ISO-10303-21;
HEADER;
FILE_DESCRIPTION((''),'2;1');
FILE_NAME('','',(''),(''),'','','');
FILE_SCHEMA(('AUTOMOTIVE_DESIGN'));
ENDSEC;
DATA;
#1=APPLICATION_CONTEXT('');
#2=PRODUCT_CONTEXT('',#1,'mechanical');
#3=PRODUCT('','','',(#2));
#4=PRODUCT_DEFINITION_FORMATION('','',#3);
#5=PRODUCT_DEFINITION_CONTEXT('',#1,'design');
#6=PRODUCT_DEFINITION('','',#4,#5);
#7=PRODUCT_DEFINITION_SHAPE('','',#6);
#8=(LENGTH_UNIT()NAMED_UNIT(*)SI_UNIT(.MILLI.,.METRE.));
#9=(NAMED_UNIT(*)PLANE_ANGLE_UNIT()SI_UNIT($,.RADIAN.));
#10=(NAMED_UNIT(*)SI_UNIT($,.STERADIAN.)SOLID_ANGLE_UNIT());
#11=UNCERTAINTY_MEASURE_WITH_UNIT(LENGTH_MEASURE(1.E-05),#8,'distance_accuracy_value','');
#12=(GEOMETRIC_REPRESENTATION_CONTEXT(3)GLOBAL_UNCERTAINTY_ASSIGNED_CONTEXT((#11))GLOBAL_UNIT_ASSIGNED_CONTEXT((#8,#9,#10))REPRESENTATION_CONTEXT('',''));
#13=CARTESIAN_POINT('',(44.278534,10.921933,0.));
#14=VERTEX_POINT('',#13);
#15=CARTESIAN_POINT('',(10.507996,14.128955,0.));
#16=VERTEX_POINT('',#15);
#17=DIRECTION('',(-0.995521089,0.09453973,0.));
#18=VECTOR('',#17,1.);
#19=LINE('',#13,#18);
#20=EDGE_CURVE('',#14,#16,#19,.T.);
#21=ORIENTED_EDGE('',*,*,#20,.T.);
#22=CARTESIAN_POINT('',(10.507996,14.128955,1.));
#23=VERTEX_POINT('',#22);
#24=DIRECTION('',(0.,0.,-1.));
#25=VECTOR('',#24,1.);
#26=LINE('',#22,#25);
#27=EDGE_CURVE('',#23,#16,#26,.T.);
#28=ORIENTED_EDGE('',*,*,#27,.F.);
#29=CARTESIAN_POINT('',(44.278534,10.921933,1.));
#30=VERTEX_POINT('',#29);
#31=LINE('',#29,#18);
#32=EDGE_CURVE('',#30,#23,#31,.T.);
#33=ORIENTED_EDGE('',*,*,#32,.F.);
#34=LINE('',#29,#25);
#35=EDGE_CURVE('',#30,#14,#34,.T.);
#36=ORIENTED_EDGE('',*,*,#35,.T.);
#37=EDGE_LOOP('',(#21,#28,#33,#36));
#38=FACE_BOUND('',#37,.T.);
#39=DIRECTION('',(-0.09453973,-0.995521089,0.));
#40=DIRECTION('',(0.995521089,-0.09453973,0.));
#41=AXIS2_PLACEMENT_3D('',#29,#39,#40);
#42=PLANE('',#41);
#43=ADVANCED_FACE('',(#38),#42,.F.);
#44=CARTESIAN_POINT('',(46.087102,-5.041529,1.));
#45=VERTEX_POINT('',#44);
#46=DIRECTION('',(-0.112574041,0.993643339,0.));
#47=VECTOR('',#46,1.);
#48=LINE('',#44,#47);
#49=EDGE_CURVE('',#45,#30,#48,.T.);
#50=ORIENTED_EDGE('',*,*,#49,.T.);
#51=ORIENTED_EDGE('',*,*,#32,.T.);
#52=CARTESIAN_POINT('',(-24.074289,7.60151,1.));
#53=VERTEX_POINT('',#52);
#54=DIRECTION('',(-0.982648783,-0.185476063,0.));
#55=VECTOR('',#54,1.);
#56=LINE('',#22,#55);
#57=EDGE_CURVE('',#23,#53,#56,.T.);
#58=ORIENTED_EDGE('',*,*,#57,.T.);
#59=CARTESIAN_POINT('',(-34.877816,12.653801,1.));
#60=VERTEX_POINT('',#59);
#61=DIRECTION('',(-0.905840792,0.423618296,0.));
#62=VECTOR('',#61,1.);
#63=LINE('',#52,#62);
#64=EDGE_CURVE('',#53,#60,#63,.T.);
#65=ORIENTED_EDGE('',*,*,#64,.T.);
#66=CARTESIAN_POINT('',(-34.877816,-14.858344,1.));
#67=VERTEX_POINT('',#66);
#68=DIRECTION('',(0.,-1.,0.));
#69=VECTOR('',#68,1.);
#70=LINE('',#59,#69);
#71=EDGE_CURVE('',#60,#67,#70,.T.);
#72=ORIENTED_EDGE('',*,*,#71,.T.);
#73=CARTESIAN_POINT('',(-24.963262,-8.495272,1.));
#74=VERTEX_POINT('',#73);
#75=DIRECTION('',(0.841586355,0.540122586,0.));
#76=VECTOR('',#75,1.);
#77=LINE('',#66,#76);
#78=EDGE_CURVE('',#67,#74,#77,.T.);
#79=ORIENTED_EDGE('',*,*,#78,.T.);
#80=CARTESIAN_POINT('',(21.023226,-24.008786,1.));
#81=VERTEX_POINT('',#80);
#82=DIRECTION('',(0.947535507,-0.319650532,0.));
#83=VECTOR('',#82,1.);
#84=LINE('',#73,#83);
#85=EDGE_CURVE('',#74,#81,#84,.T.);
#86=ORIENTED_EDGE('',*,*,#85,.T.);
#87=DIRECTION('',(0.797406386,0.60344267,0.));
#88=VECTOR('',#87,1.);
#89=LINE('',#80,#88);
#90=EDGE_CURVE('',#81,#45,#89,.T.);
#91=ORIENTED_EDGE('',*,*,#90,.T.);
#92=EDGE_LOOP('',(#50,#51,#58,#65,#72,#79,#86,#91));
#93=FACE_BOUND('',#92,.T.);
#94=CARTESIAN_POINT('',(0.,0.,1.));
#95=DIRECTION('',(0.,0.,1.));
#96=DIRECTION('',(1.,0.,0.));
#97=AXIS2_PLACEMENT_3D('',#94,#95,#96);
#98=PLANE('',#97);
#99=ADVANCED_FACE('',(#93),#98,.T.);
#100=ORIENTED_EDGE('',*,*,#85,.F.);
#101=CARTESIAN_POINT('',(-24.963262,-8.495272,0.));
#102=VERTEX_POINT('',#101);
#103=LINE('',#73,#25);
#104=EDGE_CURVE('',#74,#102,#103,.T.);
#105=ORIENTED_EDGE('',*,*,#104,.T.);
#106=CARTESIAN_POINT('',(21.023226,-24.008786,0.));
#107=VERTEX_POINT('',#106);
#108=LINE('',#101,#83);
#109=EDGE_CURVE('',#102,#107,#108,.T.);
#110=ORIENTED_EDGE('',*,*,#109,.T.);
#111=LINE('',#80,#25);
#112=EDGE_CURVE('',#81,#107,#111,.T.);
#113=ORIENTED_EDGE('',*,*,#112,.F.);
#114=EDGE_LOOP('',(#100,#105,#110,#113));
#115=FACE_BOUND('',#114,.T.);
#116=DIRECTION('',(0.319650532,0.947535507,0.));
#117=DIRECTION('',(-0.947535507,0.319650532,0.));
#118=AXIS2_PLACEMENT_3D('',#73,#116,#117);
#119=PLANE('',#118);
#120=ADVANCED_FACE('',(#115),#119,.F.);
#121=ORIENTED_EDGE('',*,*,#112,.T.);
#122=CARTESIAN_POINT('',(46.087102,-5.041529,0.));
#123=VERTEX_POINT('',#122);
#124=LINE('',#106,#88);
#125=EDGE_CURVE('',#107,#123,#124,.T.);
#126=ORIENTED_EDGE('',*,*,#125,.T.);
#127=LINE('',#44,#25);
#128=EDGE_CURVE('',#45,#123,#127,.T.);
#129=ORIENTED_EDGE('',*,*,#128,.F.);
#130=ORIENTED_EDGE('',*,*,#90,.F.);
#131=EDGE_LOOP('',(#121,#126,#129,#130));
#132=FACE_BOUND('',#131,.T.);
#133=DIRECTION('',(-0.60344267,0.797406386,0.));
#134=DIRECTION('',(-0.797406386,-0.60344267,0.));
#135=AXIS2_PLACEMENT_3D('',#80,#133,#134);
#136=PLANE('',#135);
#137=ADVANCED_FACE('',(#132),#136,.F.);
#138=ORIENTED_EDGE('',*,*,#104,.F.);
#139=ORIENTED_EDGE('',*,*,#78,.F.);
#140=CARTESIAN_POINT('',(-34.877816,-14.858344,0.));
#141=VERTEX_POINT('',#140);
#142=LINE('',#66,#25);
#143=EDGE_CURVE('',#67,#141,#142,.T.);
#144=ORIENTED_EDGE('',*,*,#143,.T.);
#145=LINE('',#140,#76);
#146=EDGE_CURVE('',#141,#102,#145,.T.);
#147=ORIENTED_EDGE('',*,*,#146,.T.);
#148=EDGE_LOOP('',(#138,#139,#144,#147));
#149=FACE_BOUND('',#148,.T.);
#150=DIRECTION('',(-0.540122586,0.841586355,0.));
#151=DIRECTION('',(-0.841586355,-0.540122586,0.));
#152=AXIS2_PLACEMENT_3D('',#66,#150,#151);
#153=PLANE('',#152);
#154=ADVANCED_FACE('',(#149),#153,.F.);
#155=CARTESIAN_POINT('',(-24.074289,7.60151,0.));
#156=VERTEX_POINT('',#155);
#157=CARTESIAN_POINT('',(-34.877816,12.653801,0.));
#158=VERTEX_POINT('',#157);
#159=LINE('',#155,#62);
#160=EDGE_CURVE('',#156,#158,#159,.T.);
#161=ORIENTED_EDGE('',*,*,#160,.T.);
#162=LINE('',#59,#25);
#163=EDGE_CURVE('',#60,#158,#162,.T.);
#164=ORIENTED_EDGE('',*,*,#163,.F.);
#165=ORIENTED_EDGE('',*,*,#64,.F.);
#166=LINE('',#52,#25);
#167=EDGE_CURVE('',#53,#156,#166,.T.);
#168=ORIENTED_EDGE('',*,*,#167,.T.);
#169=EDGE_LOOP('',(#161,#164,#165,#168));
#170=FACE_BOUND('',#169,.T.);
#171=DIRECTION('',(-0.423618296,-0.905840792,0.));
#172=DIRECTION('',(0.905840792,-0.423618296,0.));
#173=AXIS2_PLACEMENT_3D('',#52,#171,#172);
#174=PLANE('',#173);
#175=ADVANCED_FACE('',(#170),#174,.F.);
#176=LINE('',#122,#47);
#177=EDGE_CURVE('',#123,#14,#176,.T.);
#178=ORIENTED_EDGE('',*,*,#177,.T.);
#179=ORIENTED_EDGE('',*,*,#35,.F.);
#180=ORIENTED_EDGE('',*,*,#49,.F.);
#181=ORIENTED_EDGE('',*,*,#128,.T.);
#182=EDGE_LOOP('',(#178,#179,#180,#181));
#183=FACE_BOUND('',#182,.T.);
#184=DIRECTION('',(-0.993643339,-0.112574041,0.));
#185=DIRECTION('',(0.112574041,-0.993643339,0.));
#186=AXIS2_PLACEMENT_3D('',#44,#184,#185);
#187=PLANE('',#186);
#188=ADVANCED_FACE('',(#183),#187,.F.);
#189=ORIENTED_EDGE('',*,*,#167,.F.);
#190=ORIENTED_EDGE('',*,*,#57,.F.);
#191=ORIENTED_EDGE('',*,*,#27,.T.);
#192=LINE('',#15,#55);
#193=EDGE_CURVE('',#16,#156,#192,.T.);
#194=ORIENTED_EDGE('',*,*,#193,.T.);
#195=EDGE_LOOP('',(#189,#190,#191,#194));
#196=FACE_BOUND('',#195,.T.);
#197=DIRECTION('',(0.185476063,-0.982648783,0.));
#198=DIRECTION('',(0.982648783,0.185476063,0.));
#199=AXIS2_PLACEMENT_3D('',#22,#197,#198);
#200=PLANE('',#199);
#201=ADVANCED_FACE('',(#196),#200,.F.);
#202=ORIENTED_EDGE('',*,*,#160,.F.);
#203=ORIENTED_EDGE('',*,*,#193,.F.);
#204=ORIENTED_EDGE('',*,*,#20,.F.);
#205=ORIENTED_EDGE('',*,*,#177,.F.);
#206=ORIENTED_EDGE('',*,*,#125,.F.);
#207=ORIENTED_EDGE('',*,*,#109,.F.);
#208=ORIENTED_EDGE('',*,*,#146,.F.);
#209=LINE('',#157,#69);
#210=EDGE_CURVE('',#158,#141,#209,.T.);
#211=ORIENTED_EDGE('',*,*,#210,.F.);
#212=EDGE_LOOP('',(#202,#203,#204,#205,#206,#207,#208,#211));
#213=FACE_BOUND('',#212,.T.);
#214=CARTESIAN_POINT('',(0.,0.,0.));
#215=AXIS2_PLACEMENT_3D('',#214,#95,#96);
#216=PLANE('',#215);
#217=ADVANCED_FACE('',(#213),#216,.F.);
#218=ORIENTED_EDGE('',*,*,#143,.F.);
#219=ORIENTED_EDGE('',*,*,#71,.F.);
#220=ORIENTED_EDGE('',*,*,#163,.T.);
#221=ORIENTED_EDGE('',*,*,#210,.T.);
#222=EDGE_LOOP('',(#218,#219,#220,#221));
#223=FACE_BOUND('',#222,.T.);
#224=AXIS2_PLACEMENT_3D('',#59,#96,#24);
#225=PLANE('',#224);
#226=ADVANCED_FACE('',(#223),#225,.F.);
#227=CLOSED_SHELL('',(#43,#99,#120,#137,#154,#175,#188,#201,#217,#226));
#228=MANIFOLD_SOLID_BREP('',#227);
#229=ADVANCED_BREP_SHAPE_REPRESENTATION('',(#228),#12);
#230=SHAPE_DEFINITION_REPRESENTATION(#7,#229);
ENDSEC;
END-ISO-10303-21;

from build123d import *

# Parameters (mm, degrees)
EXTRUDE_1_DEPTH = 1


with BuildPart() as part:
    # Эскиз1 → Бобышка-Вытянуть1 (new body)
    with BuildSketch(Plane(origin=(-2.442787328, 0.015535996, 0), x_dir=(1, 0, 0), z_dir=(0, 0, 1))):
        Polygon((-32.435028221, 12.638264987), (-32.435028221, -14.873880267), (-22.520474354, -8.510808382), (23.466013495, -24.024322355), (48.529889407, -5.057064908), (46.72132151, 10.906397278), (12.950783427, 14.113418795), (-21.631501413, 7.585973619), align=None)
    extrude(amount=EXTRUDE_1_DEPTH)


solid = part.part
